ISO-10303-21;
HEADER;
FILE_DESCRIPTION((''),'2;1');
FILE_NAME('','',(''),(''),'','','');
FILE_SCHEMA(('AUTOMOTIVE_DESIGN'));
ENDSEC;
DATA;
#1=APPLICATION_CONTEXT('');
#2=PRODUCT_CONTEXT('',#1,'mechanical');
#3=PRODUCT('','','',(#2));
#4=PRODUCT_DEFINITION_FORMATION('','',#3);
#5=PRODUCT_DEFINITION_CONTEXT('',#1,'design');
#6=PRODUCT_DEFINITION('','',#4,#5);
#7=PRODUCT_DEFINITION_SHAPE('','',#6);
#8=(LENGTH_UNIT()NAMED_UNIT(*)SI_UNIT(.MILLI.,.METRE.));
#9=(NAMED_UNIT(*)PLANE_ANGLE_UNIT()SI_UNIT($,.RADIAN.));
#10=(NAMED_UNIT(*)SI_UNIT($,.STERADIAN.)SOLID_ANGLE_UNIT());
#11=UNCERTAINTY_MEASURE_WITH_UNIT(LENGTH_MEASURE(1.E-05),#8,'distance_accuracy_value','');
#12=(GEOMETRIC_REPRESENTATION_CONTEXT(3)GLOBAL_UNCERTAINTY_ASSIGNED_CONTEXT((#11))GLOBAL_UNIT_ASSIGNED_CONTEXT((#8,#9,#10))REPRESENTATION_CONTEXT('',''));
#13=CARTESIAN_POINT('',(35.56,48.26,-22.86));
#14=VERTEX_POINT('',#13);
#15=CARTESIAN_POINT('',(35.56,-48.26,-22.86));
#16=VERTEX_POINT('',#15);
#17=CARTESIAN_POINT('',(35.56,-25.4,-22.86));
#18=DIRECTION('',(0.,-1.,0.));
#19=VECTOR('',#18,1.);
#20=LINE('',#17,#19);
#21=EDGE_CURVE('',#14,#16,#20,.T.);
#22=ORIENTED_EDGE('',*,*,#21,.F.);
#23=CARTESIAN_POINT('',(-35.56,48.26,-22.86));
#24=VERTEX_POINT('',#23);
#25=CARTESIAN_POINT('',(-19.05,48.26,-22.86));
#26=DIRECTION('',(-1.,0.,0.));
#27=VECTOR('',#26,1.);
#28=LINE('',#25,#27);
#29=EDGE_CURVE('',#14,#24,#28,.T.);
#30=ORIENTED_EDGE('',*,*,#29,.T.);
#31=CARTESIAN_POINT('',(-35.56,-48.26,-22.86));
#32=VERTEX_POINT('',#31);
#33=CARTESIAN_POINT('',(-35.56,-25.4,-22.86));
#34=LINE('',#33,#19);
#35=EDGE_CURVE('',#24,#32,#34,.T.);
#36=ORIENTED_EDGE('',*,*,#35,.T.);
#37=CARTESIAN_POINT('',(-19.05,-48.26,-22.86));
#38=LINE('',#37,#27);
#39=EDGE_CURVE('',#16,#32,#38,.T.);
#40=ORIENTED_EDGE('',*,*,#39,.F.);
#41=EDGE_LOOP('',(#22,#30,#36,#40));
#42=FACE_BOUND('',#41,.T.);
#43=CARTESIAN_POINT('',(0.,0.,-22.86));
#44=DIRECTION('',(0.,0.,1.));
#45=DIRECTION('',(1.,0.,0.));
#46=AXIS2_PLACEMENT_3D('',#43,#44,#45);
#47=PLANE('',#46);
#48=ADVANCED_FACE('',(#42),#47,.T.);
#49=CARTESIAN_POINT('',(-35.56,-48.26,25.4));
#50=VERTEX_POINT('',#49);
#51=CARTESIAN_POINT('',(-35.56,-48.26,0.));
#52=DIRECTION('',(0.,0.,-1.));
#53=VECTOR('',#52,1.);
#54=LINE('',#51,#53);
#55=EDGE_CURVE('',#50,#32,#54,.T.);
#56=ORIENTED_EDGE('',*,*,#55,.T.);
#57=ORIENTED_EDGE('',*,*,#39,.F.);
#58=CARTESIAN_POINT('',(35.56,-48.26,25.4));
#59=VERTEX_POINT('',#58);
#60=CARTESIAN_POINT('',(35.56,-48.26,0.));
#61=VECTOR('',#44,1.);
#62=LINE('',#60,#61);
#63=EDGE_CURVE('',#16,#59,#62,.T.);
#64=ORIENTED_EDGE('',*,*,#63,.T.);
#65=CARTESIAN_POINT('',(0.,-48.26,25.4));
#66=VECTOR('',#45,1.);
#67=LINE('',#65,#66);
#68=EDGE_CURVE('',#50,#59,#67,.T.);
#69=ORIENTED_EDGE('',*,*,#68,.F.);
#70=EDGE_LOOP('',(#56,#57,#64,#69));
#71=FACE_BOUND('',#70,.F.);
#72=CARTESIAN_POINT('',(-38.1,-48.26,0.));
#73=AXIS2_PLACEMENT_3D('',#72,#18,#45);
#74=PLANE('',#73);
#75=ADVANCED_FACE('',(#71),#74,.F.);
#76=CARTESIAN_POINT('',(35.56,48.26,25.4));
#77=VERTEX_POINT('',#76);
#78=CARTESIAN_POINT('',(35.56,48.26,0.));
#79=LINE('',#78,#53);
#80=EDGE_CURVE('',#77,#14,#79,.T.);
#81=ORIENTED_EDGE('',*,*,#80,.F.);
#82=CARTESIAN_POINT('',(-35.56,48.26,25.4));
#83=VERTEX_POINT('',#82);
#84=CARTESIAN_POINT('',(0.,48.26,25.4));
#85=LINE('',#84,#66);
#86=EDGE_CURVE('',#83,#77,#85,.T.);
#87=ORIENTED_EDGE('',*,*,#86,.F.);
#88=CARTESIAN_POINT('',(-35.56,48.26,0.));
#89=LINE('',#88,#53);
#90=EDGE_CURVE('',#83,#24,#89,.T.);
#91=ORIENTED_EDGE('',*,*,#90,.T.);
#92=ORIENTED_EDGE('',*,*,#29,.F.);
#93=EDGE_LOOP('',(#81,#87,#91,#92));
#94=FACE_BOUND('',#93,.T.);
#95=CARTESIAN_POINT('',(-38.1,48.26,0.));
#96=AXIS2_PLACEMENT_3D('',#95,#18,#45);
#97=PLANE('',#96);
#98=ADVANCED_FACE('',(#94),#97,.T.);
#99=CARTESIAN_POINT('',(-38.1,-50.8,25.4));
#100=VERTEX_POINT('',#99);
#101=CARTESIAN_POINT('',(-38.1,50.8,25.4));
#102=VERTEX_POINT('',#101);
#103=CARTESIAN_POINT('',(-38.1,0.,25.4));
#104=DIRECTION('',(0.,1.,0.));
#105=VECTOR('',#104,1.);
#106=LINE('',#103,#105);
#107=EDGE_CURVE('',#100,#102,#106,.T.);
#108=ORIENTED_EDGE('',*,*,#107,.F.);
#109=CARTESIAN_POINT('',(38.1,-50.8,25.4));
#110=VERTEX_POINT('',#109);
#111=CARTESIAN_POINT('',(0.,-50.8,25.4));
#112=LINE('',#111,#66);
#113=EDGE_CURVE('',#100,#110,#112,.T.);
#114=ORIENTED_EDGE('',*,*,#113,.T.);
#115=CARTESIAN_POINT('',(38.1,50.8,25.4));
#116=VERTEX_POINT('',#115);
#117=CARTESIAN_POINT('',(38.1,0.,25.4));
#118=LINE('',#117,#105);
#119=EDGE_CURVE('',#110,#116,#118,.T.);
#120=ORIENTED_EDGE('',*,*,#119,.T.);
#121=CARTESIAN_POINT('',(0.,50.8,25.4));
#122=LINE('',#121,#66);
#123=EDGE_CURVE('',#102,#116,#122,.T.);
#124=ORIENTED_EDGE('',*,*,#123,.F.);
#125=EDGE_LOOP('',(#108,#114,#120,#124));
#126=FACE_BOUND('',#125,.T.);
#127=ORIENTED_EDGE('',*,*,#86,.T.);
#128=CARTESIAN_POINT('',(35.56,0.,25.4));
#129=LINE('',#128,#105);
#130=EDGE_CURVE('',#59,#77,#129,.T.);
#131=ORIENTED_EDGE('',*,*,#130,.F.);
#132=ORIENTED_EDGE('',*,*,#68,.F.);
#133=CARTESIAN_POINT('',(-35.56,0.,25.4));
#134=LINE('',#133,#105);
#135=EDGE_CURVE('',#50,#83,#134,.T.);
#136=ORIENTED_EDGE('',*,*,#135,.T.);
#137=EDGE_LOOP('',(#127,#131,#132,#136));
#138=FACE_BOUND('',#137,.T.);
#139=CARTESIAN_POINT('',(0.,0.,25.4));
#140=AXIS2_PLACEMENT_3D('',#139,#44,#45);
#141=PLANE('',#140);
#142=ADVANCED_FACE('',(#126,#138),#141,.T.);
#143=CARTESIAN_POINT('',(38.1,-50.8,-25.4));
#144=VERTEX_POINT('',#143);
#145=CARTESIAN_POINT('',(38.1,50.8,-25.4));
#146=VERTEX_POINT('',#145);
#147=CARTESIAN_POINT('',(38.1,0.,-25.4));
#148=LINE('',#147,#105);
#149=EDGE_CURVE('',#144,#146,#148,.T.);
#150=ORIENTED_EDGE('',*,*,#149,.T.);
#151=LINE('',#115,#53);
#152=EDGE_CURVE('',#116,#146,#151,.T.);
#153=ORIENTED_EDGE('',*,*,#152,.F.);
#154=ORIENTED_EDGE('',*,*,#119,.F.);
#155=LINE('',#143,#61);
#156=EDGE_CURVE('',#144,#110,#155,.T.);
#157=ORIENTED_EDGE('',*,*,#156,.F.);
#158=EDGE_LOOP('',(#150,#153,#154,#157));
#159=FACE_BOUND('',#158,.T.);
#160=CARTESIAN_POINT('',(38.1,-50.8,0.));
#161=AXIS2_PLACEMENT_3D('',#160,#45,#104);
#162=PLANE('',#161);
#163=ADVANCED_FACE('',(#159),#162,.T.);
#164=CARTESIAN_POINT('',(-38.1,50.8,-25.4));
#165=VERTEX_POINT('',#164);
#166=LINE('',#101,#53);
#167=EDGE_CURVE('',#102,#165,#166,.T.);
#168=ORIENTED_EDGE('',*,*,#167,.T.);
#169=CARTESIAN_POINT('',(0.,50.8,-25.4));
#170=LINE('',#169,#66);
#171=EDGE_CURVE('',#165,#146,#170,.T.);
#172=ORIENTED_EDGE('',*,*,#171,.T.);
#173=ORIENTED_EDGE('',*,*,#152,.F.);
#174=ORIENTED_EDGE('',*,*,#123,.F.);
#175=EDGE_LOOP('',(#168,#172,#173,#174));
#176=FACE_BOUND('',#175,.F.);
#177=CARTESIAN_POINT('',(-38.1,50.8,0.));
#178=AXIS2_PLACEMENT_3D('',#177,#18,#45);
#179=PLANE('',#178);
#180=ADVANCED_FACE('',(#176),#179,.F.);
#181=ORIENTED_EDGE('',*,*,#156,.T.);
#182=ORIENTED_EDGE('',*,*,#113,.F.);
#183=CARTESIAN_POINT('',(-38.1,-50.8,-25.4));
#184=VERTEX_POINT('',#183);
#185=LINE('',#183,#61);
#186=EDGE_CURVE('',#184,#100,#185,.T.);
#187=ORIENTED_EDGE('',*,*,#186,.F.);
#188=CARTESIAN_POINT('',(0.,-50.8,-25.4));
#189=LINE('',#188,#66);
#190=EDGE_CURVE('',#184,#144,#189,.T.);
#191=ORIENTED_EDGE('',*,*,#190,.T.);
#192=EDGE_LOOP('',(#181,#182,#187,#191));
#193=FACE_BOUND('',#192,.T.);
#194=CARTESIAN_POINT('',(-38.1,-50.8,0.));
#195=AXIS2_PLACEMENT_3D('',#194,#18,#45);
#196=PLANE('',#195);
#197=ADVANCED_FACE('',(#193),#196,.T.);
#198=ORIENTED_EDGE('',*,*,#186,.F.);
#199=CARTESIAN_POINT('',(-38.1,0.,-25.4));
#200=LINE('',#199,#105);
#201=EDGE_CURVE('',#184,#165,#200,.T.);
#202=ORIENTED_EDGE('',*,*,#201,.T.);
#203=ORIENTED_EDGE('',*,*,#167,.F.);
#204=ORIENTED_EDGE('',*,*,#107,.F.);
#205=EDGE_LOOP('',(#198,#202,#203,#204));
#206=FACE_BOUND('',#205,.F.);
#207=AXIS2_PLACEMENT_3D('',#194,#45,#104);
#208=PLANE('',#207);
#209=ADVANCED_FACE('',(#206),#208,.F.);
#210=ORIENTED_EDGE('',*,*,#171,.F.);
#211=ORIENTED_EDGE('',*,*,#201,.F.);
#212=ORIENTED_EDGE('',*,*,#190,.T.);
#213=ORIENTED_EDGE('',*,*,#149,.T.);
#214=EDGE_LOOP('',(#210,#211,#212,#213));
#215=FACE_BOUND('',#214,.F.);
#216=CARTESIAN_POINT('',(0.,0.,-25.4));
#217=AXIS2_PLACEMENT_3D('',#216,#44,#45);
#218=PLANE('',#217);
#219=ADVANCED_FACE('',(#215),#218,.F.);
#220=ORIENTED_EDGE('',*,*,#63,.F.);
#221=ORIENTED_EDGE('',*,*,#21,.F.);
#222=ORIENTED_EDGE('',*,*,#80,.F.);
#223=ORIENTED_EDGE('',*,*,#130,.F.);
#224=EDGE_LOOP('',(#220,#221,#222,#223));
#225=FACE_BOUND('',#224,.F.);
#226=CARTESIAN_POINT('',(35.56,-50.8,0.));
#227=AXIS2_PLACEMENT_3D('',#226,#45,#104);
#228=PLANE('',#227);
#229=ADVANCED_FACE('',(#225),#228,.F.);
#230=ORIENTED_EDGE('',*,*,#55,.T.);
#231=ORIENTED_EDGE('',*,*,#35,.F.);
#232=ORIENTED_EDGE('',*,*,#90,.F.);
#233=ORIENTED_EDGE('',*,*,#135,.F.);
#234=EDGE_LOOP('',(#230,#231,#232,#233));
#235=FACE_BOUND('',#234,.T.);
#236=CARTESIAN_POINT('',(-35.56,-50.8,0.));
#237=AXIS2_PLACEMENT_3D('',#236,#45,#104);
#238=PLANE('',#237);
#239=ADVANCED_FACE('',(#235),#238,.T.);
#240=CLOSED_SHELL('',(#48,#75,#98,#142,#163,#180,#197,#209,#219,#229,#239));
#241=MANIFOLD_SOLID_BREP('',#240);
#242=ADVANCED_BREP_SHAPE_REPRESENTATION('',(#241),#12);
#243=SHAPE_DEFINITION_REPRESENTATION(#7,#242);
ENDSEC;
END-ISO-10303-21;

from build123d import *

# Parameters (mm, degrees)
F0_W          = 76.2
F0_H          = 101.6
F1_DEPTH      = 25.4
F1_DEPTH_BACK = 25.4
F2_T          = -2.54


with BuildPart() as f1:
    # F0 (on Top) → F1 (new body, two sides)
    with BuildSketch(Plane.XY) as f1_sk:
        Rectangle(F0_W, F0_H)
    extrude(amount=F1_DEPTH)
    extrude(f1_sk.sketch, amount=-F1_DEPTH_BACK)

    # F2
    f2_openings = [f1.faces().sort_by_distance(p)[0] for p in [
        (0, 0, 25.4),
    ]]
    offset(amount=F2_T, openings=f2_openings)


solid = f1.part
